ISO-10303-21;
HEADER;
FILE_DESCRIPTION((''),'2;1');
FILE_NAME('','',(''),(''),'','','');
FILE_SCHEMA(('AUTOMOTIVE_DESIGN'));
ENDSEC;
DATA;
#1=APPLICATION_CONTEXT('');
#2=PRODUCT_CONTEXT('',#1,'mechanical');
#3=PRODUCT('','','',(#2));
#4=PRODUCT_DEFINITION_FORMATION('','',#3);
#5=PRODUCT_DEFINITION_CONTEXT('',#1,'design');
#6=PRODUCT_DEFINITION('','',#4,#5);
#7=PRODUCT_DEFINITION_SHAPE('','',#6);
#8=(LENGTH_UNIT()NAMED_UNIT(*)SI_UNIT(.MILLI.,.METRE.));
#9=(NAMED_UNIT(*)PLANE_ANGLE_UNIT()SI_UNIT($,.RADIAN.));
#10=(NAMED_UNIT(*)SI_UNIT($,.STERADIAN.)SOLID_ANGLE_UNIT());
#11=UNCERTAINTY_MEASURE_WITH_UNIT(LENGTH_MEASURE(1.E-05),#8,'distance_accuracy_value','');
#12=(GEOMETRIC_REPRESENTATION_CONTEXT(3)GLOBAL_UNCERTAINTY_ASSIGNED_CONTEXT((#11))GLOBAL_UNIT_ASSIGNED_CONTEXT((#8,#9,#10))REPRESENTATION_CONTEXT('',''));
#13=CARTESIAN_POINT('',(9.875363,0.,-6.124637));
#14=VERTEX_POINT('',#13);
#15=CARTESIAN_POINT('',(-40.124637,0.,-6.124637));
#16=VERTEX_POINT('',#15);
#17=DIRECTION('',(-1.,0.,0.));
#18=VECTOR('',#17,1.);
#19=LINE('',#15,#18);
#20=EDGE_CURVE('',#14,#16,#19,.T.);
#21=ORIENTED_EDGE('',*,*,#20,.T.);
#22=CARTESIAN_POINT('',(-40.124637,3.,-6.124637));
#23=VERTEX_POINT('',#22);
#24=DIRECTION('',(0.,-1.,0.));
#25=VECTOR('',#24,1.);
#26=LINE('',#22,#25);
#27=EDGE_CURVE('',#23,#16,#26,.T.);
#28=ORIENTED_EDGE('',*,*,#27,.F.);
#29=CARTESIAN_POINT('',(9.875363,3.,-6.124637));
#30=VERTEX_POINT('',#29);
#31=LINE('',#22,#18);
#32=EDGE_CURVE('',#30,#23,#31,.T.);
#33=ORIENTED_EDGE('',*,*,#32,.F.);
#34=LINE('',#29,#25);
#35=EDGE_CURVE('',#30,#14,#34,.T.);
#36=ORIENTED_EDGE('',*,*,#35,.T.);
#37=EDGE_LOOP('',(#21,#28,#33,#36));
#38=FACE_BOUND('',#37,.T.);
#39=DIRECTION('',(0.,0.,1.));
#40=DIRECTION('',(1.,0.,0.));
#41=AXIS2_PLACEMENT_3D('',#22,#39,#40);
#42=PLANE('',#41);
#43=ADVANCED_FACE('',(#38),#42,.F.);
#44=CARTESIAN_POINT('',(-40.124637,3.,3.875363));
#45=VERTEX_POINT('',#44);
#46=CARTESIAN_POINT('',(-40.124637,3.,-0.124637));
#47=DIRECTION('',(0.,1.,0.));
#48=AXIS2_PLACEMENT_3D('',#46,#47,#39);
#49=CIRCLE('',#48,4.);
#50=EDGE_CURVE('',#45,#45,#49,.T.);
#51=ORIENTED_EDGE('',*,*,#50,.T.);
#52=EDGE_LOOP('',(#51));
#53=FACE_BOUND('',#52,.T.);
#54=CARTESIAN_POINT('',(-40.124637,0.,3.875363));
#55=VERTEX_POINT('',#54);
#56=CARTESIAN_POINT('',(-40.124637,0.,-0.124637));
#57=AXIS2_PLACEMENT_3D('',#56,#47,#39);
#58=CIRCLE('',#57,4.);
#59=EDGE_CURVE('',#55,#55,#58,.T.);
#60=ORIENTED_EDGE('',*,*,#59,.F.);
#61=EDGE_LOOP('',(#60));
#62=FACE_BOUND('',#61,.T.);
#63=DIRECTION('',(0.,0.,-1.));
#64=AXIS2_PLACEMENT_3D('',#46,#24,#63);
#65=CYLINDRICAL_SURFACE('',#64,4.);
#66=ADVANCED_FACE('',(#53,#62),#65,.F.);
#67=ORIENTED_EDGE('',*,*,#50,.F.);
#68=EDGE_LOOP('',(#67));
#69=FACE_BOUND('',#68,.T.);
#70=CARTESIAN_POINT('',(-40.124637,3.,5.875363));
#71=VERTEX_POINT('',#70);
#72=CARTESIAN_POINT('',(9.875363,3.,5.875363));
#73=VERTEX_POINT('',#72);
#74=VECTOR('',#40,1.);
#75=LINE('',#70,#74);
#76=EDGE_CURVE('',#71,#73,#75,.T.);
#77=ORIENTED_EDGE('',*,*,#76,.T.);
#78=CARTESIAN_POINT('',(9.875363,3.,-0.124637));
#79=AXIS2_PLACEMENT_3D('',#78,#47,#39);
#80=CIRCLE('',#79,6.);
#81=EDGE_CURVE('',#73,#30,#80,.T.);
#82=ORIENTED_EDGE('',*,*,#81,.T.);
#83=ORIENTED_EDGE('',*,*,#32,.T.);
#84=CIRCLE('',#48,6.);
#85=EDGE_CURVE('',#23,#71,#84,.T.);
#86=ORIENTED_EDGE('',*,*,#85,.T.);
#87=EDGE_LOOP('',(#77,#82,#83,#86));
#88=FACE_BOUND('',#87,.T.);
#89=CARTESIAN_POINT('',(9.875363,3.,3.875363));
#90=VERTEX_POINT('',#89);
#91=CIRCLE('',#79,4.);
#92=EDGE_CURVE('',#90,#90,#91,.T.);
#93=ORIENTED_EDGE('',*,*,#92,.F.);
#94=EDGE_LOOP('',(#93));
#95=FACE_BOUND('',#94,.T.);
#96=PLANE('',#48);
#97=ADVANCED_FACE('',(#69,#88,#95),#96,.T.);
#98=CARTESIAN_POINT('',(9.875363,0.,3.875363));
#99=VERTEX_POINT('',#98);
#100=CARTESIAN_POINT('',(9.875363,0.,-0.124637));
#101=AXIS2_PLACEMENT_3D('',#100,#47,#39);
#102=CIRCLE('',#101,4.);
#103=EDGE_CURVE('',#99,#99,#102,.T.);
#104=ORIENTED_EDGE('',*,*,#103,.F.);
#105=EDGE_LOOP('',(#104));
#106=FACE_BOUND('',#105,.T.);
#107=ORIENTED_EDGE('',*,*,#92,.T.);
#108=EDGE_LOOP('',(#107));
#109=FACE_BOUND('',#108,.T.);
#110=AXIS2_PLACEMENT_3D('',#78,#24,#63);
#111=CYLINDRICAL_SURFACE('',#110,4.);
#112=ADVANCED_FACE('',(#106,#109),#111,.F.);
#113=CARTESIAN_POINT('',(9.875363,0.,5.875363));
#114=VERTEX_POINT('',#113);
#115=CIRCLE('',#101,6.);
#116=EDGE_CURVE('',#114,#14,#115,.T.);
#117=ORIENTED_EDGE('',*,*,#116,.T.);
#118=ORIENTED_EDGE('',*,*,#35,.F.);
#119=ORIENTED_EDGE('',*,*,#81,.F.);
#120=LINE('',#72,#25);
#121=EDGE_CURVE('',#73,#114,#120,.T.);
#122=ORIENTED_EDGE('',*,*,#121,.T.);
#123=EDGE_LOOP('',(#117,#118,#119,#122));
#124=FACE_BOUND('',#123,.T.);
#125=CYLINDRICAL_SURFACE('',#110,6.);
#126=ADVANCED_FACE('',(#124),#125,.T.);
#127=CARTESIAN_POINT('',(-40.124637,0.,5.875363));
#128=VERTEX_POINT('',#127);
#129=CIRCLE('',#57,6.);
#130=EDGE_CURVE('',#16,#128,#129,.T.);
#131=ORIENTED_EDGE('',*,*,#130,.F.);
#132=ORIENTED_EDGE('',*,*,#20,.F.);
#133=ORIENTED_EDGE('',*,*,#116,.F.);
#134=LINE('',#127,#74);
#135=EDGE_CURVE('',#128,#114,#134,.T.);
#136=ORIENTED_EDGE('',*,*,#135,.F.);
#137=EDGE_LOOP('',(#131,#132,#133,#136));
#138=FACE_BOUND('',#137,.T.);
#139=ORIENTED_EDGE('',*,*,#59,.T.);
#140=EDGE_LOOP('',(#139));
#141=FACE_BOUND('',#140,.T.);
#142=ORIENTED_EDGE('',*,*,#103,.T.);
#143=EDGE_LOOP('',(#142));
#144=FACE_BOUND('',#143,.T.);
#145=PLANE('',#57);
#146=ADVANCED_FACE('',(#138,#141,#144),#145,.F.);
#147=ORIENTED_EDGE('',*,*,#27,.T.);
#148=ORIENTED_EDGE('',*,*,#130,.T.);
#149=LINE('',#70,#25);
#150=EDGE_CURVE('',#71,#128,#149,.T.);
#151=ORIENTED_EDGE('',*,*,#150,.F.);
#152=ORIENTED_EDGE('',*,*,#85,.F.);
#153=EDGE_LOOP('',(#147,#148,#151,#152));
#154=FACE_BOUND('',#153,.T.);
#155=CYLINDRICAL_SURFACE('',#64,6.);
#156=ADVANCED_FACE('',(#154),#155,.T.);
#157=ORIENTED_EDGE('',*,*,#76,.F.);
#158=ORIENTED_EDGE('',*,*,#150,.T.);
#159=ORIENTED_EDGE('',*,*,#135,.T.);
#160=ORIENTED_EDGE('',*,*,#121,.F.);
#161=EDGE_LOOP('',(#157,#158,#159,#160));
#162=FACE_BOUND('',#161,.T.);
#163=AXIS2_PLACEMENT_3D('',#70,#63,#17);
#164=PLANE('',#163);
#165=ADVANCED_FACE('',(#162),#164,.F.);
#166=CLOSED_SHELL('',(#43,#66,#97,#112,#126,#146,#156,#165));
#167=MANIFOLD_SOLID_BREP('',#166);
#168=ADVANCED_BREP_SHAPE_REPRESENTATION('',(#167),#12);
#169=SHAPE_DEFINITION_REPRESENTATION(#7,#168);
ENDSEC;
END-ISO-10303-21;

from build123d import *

# Parameters (mm, degrees)
SKETCH1_R           = 4
BOSS_EXTRUDE1_DEPTH = 3


with BuildPart() as part:
    # Sketch1 → Boss-Extrude1 (new body)
    with BuildSketch(Plane(origin=(0, 0, 0), x_dir=(1, 0, 0), z_dir=(0, 1, 0))):
        with BuildLine():
            Line((-40.12463695, 6.12463695), (9.87536305, 6.12463695))
            ThreePointArc((9.87536305, 6.12463695), (15.87536305, 0.12463695), (9.87536305, -5.87536305))
            Line((9.87536305, -5.87536305), (-40.12463695, -5.87536305))
            ThreePointArc((-40.12463695, -5.87536305), (-46.12463695, 0.12463695), (-40.12463695, 6.12463695))
        make_face()
        with Locations(Location((-40.12463695, 0.12463695, 0), (0, 0, 270))):
            Circle(SKETCH1_R, mode=Mode.SUBTRACT)
        with Locations(Location((9.87536305, 0.12463695, 0), (0, 0, 270))):
            Circle(SKETCH1_R, mode=Mode.SUBTRACT)
    extrude(amount=BOSS_EXTRUDE1_DEPTH)


solid = part.part
